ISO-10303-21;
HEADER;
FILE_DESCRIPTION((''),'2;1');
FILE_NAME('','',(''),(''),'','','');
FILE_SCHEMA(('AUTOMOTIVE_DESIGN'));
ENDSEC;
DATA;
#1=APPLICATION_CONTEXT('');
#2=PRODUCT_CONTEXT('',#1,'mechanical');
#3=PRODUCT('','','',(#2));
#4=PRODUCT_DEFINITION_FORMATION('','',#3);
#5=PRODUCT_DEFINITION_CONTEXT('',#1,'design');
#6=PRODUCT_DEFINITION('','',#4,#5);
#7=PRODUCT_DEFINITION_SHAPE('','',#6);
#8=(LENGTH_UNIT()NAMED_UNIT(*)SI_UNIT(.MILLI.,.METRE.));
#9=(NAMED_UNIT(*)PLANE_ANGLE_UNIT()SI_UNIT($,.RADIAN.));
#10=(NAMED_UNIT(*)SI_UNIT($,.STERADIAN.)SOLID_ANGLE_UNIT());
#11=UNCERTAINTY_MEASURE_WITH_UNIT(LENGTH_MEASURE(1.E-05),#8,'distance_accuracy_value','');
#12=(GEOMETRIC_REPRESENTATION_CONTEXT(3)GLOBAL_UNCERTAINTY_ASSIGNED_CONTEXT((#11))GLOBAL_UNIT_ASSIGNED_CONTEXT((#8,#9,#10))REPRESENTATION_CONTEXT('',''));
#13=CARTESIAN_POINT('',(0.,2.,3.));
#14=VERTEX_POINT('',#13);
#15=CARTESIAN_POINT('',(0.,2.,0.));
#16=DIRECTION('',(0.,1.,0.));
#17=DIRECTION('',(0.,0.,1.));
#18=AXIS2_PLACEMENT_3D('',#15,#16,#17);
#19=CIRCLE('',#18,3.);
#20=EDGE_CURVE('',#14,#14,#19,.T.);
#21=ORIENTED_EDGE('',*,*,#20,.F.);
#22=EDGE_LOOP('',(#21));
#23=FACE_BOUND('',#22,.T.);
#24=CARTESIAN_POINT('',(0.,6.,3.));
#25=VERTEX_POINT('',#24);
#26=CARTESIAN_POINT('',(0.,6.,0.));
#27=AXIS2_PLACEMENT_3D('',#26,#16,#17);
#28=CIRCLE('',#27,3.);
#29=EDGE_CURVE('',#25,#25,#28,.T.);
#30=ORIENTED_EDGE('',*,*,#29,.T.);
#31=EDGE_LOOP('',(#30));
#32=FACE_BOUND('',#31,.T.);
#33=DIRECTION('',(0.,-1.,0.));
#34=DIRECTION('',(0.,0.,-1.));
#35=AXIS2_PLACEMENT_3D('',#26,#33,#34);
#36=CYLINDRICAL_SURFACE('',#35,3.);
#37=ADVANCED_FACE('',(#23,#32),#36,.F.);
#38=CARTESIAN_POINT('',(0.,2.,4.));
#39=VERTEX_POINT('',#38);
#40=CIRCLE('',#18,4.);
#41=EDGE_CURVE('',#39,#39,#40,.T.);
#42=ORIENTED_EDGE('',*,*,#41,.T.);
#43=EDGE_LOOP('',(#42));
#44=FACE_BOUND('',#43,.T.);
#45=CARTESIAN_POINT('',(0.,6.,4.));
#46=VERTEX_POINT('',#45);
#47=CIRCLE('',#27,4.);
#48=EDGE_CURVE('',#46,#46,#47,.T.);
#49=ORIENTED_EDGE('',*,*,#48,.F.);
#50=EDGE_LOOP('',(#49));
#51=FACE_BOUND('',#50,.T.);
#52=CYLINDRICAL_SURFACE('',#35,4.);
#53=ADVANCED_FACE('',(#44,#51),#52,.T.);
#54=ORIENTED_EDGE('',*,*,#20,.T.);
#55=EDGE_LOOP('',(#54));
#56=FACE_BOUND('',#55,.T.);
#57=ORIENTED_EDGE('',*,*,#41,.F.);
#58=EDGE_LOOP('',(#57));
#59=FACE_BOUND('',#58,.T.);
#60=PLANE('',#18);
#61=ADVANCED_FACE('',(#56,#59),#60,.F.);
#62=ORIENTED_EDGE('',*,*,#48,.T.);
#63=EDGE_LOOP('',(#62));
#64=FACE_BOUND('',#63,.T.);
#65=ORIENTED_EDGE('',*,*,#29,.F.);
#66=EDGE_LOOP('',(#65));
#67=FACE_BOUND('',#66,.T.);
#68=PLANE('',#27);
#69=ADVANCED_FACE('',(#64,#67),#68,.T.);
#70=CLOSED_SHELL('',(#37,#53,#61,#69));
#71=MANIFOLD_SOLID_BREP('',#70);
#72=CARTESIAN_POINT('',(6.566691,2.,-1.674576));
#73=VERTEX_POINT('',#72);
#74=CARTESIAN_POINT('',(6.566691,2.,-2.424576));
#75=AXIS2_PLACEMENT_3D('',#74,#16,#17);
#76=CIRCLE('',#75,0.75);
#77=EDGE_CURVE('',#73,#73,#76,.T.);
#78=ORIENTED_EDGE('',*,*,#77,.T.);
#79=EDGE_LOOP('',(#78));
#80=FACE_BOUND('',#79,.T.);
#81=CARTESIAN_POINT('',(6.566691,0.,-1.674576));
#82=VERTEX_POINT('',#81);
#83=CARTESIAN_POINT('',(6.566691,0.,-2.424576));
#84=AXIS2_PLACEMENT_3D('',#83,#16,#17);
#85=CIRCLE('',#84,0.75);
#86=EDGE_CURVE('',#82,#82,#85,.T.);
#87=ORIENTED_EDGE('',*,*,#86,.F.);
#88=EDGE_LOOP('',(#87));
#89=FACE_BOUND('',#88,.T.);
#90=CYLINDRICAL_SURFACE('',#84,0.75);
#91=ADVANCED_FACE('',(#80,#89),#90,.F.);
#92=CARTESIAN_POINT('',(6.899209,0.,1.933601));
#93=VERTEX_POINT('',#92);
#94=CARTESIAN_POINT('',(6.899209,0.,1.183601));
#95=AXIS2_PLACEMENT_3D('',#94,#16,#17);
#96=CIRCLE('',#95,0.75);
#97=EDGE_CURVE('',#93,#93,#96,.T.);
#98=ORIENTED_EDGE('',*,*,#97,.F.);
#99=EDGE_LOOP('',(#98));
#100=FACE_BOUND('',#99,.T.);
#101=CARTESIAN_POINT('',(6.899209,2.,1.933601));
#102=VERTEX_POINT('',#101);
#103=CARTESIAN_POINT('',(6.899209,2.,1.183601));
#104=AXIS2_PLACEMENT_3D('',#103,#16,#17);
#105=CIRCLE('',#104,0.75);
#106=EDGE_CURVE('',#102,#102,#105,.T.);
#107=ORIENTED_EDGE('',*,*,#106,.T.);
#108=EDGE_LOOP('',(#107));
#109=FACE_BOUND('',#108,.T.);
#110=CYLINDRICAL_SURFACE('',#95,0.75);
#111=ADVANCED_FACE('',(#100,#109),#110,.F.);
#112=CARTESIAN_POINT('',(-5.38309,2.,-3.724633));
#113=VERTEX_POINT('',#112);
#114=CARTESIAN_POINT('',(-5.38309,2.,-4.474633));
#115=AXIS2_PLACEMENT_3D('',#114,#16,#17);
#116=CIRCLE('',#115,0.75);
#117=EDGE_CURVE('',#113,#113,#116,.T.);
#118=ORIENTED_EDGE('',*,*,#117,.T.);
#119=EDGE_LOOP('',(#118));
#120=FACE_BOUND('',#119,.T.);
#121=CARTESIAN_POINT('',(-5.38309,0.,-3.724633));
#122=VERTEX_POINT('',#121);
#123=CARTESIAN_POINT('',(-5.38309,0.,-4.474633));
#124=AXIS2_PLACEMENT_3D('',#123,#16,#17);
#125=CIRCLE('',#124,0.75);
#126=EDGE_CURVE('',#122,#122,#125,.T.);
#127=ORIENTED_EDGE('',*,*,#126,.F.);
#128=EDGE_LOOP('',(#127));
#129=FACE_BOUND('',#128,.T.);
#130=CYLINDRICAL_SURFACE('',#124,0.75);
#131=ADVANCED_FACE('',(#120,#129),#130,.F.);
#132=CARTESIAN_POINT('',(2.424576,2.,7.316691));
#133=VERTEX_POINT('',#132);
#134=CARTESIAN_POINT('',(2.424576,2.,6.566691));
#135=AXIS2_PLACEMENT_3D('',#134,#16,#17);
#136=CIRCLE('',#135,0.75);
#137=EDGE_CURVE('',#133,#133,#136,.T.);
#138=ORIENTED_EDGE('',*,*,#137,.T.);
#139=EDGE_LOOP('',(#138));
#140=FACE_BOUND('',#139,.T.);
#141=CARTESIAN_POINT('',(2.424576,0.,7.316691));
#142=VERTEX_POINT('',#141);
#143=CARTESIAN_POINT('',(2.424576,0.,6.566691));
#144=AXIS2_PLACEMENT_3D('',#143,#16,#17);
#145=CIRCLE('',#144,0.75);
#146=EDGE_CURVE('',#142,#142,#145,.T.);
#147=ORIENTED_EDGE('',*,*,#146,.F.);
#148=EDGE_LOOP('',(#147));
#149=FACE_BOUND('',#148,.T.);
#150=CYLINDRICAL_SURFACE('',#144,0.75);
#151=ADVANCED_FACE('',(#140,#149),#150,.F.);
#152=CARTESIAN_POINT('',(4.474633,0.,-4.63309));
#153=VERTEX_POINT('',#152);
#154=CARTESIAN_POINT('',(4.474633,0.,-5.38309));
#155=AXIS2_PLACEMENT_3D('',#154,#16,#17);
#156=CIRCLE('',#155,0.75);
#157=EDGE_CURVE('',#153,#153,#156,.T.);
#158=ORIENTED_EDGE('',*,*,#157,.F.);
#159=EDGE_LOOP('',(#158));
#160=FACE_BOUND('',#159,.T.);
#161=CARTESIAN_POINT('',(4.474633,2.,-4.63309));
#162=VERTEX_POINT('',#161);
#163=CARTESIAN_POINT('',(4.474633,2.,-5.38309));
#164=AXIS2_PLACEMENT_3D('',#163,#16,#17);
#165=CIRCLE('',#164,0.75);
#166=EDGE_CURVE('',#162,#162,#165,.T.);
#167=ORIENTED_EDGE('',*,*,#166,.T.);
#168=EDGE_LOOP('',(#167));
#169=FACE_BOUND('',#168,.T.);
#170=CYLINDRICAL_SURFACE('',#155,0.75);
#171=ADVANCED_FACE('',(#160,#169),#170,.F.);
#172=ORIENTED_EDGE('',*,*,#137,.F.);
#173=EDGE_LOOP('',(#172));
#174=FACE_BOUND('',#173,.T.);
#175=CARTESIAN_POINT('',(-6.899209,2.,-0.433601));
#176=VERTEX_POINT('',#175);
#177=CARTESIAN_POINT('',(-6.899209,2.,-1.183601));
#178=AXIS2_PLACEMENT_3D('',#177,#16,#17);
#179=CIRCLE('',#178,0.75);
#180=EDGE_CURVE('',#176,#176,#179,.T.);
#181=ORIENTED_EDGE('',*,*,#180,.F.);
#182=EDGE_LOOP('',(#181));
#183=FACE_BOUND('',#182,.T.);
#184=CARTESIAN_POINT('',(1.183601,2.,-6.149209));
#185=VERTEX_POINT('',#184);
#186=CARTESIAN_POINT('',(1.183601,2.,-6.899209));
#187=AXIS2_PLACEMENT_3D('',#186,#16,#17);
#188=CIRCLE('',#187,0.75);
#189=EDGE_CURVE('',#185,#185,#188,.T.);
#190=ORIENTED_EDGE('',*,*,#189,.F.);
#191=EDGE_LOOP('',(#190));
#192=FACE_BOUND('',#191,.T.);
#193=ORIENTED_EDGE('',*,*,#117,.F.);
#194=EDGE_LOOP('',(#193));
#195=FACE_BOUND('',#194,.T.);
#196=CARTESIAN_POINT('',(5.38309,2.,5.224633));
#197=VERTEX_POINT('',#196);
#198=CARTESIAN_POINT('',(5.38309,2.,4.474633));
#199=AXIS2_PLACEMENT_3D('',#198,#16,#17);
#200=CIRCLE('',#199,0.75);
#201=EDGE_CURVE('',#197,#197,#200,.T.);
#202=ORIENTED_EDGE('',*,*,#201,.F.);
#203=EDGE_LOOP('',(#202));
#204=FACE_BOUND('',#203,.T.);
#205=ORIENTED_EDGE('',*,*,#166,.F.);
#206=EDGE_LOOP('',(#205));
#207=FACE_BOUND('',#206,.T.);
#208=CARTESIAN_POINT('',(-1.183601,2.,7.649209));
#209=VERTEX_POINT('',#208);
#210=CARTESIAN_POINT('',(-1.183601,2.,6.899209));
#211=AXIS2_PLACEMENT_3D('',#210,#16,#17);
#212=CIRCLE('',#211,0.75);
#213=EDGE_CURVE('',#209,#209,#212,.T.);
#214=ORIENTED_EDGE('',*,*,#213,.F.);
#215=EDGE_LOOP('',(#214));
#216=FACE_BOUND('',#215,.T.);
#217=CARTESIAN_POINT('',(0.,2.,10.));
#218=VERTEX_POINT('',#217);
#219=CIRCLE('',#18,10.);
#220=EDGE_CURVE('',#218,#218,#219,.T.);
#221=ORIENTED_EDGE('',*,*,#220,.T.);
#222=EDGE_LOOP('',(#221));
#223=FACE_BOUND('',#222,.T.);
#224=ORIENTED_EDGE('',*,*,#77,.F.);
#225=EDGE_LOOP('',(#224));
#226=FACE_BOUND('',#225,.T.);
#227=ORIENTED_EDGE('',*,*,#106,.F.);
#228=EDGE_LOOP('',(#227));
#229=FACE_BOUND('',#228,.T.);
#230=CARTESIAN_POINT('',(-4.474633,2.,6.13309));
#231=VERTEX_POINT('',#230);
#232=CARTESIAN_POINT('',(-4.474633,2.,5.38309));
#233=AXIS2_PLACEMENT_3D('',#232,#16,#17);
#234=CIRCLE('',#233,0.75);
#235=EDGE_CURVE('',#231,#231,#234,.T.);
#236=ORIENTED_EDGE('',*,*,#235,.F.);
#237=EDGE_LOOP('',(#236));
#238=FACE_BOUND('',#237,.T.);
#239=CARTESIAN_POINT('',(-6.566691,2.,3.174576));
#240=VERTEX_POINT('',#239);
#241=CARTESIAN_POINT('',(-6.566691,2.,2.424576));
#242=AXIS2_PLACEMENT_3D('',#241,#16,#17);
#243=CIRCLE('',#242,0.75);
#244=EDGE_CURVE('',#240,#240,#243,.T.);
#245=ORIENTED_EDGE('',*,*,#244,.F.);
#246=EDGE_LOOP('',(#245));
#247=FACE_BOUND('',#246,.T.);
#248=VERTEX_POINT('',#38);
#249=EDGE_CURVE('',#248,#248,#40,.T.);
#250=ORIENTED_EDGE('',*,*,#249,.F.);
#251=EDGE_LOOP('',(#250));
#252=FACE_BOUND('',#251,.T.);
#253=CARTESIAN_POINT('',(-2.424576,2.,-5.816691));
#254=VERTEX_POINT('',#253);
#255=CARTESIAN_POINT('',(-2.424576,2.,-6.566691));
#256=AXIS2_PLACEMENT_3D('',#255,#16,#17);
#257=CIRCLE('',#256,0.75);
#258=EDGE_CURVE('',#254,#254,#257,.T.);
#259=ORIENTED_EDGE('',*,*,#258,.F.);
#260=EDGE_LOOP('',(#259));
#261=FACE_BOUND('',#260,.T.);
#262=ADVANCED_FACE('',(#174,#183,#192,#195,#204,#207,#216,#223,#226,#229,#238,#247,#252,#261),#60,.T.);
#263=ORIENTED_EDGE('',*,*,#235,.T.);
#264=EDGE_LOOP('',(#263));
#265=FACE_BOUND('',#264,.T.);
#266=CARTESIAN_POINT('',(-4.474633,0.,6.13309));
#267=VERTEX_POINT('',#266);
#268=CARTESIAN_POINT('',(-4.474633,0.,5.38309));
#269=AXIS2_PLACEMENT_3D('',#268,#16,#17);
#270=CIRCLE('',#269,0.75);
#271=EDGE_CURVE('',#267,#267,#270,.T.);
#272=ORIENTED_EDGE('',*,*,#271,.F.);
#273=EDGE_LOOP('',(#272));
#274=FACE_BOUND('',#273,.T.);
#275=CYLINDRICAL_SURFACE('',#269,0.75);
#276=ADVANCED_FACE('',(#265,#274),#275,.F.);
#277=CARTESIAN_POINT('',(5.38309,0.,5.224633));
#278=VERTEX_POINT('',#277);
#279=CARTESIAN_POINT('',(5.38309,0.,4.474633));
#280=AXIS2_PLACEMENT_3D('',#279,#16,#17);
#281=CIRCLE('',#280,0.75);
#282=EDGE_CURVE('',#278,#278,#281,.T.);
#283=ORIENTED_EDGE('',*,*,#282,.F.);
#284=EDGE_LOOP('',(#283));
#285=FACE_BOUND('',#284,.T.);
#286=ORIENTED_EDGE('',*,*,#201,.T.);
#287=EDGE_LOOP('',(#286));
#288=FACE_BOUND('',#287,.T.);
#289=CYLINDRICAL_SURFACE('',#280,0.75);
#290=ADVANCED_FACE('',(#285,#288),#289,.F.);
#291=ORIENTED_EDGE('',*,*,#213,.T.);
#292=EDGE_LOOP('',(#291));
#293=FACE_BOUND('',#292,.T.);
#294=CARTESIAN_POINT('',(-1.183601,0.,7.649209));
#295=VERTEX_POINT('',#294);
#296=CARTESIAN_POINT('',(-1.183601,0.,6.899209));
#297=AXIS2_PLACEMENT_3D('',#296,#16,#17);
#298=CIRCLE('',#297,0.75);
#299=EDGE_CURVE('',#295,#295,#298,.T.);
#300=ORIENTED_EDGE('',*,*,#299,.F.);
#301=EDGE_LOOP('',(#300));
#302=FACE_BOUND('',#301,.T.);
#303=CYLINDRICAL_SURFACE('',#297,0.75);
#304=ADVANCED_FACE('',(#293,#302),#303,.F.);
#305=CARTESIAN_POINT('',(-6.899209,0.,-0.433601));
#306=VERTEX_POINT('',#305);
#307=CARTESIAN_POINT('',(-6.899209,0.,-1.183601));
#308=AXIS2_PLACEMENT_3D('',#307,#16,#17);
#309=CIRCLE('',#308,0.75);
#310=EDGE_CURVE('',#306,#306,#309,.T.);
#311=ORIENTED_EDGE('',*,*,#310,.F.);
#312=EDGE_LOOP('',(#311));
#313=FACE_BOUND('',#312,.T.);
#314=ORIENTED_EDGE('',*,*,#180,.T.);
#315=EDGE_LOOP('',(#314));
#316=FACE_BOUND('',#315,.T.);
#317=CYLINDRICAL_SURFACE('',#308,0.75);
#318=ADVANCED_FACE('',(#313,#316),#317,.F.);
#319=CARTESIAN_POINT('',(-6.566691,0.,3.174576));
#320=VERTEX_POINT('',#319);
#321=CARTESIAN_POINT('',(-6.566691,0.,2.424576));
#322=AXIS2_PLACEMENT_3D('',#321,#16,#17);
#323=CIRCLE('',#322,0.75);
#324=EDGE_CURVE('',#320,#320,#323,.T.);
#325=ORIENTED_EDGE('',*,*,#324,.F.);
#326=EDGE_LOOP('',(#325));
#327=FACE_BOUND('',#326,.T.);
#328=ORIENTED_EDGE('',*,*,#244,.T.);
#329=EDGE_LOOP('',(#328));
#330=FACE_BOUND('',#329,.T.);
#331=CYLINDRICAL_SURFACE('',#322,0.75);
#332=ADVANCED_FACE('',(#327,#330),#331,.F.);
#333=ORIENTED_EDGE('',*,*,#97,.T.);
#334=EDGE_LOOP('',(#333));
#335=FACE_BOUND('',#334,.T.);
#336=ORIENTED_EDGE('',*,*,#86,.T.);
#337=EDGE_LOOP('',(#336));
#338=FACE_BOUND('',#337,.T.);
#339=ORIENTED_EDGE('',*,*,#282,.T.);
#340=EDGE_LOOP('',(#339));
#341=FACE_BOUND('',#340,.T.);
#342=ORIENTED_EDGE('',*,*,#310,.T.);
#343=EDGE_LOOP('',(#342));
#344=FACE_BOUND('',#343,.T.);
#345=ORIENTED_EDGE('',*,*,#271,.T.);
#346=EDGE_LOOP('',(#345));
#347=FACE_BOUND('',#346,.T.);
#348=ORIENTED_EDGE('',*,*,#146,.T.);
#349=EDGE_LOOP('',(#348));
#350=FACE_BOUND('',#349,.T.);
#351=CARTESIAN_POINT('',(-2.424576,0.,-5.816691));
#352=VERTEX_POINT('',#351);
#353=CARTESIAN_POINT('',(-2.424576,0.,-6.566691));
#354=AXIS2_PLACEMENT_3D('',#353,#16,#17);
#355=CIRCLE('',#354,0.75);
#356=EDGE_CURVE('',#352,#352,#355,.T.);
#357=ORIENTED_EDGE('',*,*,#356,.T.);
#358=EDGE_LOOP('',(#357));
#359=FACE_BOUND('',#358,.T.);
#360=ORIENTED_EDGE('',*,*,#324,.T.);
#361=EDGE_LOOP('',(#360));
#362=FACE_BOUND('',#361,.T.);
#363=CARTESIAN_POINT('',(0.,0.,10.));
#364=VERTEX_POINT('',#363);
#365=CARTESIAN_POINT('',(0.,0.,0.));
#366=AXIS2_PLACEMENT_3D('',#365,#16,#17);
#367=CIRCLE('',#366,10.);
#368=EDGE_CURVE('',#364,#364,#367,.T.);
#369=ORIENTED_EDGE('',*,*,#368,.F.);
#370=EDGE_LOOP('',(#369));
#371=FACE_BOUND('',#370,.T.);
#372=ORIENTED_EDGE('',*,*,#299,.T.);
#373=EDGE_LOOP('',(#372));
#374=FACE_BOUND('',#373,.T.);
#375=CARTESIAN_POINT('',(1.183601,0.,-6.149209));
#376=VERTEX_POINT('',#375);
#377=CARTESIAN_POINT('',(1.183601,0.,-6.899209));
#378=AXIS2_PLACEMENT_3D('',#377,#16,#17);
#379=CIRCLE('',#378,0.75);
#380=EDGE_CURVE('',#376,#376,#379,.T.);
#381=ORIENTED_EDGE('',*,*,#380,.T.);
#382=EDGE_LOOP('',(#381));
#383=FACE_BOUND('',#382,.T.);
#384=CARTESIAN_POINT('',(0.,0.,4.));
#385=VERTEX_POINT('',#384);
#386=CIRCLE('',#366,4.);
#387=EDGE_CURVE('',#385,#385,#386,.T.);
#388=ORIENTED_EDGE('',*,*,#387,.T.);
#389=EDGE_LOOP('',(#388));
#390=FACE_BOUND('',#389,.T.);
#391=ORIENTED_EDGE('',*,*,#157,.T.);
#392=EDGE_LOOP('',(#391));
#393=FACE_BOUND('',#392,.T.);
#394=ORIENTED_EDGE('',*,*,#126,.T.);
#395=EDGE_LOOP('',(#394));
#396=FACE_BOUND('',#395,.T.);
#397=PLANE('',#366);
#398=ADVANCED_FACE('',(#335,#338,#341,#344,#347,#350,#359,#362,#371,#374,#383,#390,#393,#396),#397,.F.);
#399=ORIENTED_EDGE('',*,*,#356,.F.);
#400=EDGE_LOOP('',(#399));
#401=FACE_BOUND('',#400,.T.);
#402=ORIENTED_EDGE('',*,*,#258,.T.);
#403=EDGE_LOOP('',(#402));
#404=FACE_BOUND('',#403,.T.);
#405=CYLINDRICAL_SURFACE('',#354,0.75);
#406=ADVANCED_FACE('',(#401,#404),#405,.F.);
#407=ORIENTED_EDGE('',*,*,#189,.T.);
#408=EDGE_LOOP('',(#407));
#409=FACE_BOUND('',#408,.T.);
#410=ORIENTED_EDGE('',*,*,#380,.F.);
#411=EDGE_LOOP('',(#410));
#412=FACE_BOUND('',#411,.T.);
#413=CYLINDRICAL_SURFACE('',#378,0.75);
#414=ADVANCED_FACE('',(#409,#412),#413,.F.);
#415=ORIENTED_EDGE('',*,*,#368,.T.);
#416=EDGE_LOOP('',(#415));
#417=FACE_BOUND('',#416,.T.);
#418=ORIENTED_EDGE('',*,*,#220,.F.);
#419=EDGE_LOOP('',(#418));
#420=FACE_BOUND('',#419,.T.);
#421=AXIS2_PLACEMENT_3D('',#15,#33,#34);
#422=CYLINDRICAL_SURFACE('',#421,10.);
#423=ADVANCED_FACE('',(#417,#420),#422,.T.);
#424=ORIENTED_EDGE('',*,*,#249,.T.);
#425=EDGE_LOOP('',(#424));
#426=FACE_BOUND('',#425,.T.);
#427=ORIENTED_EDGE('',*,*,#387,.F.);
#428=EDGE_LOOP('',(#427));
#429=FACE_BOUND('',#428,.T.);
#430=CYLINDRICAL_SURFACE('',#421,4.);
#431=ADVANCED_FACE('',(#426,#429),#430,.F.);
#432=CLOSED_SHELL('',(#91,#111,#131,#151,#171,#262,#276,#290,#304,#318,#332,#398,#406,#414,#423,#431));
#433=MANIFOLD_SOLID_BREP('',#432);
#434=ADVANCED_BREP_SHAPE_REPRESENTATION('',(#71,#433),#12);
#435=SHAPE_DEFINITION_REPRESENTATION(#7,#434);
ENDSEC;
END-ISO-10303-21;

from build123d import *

# Parameters (mm, degrees)
SKETCH1_R           = 10
SKETCH1_R_2         = 4
BOSS_EXTRUDE1_DEPTH = 2
SKETCH2_R           = 4
SKETCH2_R_2         = 3
BOSS_EXTRUDE2_DEPTH = 4
SKETCH3_R           = 0.75
CUT_EXTRUDE1_DEPTH  = 15.696938457


with BuildPart() as part:
    # Sketch1 → Boss-Extrude1 (new body)
    with BuildSketch(Plane(origin=(0, 0, 0), x_dir=(1, 0, 0), z_dir=(0, 1, 0))):
        with Locations(Location((0, 0, 0), (0, 0, 270))):
            Circle(SKETCH1_R)
        with Locations(Location((0, 0, 0), (0, 0, 270))):
            Circle(SKETCH1_R_2, mode=Mode.SUBTRACT)
    extrude(amount=BOSS_EXTRUDE1_DEPTH)

    # Sketch3 → Cut-Extrude1 (cut, through all)
    with BuildSketch(Plane(origin=(0, 2, 0), x_dir=(1, 0, 0), z_dir=(0, 1, 0))):
        with Locations(Location((-5.383090008, 4.474633166, 0), (0, 0, 270))):
            Circle(SKETCH3_R)
        with Locations(Location((-2.424576114, 6.566690998, 0), (0, 0, 270))):
            Circle(SKETCH3_R)
        with Locations(Location((1.183600991, 6.89920928, 0), (0, 0, 270))):
            Circle(SKETCH3_R)
        with Locations(Location((4.474633166, 5.383090008, 0), (0, 0, 270))):
            Circle(SKETCH3_R)
        with Locations(Location((6.566690998, 2.424576114, 0), (0, 0, 270))):
            Circle(SKETCH3_R)
        with Locations(Location((6.89920928, -1.183600991, 0), (0, 0, 270))):
            Circle(SKETCH3_R)
        with Locations(Location((5.383090008, -4.474633166, 0), (0, 0, 270))):
            Circle(SKETCH3_R)
        with Locations(Location((2.424576114, -6.566690998, 0), (0, 0, 270))):
            Circle(SKETCH3_R)
        with Locations(Location((-1.183600991, -6.89920928, 0), (0, 0, 270))):
            Circle(SKETCH3_R)
        with Locations(Location((-4.474633166, -5.383090008, 0), (0, 0, 270))):
            Circle(SKETCH3_R)
        with Locations(Location((-6.566690998, -2.424576114, 0), (0, 0, 270))):
            Circle(SKETCH3_R)
        with Locations(Location((-6.89920928, 1.183600991, 0), (0, 0, 270))):
            Circle(SKETCH3_R)
    extrude(amount=-CUT_EXTRUDE1_DEPTH, mode=Mode.SUBTRACT)


with BuildPart() as body_2:
    # Sketch2 → Boss-Extrude2 (new body)
    with BuildSketch(Plane(origin=(0, 2, 0), x_dir=(1, 0, 0), z_dir=(0, 1, 0))):
        with Locations(Location((0, 0, 0), (0, 0, 270))):
            Circle(SKETCH2_R)
        with Locations(Location((0, 0, 0), (0, 0, 270))):
            Circle(SKETCH2_R_2, mode=Mode.SUBTRACT)
    extrude(amount=BOSS_EXTRUDE2_DEPTH)


solid = Compound([part.part, body_2.part])
